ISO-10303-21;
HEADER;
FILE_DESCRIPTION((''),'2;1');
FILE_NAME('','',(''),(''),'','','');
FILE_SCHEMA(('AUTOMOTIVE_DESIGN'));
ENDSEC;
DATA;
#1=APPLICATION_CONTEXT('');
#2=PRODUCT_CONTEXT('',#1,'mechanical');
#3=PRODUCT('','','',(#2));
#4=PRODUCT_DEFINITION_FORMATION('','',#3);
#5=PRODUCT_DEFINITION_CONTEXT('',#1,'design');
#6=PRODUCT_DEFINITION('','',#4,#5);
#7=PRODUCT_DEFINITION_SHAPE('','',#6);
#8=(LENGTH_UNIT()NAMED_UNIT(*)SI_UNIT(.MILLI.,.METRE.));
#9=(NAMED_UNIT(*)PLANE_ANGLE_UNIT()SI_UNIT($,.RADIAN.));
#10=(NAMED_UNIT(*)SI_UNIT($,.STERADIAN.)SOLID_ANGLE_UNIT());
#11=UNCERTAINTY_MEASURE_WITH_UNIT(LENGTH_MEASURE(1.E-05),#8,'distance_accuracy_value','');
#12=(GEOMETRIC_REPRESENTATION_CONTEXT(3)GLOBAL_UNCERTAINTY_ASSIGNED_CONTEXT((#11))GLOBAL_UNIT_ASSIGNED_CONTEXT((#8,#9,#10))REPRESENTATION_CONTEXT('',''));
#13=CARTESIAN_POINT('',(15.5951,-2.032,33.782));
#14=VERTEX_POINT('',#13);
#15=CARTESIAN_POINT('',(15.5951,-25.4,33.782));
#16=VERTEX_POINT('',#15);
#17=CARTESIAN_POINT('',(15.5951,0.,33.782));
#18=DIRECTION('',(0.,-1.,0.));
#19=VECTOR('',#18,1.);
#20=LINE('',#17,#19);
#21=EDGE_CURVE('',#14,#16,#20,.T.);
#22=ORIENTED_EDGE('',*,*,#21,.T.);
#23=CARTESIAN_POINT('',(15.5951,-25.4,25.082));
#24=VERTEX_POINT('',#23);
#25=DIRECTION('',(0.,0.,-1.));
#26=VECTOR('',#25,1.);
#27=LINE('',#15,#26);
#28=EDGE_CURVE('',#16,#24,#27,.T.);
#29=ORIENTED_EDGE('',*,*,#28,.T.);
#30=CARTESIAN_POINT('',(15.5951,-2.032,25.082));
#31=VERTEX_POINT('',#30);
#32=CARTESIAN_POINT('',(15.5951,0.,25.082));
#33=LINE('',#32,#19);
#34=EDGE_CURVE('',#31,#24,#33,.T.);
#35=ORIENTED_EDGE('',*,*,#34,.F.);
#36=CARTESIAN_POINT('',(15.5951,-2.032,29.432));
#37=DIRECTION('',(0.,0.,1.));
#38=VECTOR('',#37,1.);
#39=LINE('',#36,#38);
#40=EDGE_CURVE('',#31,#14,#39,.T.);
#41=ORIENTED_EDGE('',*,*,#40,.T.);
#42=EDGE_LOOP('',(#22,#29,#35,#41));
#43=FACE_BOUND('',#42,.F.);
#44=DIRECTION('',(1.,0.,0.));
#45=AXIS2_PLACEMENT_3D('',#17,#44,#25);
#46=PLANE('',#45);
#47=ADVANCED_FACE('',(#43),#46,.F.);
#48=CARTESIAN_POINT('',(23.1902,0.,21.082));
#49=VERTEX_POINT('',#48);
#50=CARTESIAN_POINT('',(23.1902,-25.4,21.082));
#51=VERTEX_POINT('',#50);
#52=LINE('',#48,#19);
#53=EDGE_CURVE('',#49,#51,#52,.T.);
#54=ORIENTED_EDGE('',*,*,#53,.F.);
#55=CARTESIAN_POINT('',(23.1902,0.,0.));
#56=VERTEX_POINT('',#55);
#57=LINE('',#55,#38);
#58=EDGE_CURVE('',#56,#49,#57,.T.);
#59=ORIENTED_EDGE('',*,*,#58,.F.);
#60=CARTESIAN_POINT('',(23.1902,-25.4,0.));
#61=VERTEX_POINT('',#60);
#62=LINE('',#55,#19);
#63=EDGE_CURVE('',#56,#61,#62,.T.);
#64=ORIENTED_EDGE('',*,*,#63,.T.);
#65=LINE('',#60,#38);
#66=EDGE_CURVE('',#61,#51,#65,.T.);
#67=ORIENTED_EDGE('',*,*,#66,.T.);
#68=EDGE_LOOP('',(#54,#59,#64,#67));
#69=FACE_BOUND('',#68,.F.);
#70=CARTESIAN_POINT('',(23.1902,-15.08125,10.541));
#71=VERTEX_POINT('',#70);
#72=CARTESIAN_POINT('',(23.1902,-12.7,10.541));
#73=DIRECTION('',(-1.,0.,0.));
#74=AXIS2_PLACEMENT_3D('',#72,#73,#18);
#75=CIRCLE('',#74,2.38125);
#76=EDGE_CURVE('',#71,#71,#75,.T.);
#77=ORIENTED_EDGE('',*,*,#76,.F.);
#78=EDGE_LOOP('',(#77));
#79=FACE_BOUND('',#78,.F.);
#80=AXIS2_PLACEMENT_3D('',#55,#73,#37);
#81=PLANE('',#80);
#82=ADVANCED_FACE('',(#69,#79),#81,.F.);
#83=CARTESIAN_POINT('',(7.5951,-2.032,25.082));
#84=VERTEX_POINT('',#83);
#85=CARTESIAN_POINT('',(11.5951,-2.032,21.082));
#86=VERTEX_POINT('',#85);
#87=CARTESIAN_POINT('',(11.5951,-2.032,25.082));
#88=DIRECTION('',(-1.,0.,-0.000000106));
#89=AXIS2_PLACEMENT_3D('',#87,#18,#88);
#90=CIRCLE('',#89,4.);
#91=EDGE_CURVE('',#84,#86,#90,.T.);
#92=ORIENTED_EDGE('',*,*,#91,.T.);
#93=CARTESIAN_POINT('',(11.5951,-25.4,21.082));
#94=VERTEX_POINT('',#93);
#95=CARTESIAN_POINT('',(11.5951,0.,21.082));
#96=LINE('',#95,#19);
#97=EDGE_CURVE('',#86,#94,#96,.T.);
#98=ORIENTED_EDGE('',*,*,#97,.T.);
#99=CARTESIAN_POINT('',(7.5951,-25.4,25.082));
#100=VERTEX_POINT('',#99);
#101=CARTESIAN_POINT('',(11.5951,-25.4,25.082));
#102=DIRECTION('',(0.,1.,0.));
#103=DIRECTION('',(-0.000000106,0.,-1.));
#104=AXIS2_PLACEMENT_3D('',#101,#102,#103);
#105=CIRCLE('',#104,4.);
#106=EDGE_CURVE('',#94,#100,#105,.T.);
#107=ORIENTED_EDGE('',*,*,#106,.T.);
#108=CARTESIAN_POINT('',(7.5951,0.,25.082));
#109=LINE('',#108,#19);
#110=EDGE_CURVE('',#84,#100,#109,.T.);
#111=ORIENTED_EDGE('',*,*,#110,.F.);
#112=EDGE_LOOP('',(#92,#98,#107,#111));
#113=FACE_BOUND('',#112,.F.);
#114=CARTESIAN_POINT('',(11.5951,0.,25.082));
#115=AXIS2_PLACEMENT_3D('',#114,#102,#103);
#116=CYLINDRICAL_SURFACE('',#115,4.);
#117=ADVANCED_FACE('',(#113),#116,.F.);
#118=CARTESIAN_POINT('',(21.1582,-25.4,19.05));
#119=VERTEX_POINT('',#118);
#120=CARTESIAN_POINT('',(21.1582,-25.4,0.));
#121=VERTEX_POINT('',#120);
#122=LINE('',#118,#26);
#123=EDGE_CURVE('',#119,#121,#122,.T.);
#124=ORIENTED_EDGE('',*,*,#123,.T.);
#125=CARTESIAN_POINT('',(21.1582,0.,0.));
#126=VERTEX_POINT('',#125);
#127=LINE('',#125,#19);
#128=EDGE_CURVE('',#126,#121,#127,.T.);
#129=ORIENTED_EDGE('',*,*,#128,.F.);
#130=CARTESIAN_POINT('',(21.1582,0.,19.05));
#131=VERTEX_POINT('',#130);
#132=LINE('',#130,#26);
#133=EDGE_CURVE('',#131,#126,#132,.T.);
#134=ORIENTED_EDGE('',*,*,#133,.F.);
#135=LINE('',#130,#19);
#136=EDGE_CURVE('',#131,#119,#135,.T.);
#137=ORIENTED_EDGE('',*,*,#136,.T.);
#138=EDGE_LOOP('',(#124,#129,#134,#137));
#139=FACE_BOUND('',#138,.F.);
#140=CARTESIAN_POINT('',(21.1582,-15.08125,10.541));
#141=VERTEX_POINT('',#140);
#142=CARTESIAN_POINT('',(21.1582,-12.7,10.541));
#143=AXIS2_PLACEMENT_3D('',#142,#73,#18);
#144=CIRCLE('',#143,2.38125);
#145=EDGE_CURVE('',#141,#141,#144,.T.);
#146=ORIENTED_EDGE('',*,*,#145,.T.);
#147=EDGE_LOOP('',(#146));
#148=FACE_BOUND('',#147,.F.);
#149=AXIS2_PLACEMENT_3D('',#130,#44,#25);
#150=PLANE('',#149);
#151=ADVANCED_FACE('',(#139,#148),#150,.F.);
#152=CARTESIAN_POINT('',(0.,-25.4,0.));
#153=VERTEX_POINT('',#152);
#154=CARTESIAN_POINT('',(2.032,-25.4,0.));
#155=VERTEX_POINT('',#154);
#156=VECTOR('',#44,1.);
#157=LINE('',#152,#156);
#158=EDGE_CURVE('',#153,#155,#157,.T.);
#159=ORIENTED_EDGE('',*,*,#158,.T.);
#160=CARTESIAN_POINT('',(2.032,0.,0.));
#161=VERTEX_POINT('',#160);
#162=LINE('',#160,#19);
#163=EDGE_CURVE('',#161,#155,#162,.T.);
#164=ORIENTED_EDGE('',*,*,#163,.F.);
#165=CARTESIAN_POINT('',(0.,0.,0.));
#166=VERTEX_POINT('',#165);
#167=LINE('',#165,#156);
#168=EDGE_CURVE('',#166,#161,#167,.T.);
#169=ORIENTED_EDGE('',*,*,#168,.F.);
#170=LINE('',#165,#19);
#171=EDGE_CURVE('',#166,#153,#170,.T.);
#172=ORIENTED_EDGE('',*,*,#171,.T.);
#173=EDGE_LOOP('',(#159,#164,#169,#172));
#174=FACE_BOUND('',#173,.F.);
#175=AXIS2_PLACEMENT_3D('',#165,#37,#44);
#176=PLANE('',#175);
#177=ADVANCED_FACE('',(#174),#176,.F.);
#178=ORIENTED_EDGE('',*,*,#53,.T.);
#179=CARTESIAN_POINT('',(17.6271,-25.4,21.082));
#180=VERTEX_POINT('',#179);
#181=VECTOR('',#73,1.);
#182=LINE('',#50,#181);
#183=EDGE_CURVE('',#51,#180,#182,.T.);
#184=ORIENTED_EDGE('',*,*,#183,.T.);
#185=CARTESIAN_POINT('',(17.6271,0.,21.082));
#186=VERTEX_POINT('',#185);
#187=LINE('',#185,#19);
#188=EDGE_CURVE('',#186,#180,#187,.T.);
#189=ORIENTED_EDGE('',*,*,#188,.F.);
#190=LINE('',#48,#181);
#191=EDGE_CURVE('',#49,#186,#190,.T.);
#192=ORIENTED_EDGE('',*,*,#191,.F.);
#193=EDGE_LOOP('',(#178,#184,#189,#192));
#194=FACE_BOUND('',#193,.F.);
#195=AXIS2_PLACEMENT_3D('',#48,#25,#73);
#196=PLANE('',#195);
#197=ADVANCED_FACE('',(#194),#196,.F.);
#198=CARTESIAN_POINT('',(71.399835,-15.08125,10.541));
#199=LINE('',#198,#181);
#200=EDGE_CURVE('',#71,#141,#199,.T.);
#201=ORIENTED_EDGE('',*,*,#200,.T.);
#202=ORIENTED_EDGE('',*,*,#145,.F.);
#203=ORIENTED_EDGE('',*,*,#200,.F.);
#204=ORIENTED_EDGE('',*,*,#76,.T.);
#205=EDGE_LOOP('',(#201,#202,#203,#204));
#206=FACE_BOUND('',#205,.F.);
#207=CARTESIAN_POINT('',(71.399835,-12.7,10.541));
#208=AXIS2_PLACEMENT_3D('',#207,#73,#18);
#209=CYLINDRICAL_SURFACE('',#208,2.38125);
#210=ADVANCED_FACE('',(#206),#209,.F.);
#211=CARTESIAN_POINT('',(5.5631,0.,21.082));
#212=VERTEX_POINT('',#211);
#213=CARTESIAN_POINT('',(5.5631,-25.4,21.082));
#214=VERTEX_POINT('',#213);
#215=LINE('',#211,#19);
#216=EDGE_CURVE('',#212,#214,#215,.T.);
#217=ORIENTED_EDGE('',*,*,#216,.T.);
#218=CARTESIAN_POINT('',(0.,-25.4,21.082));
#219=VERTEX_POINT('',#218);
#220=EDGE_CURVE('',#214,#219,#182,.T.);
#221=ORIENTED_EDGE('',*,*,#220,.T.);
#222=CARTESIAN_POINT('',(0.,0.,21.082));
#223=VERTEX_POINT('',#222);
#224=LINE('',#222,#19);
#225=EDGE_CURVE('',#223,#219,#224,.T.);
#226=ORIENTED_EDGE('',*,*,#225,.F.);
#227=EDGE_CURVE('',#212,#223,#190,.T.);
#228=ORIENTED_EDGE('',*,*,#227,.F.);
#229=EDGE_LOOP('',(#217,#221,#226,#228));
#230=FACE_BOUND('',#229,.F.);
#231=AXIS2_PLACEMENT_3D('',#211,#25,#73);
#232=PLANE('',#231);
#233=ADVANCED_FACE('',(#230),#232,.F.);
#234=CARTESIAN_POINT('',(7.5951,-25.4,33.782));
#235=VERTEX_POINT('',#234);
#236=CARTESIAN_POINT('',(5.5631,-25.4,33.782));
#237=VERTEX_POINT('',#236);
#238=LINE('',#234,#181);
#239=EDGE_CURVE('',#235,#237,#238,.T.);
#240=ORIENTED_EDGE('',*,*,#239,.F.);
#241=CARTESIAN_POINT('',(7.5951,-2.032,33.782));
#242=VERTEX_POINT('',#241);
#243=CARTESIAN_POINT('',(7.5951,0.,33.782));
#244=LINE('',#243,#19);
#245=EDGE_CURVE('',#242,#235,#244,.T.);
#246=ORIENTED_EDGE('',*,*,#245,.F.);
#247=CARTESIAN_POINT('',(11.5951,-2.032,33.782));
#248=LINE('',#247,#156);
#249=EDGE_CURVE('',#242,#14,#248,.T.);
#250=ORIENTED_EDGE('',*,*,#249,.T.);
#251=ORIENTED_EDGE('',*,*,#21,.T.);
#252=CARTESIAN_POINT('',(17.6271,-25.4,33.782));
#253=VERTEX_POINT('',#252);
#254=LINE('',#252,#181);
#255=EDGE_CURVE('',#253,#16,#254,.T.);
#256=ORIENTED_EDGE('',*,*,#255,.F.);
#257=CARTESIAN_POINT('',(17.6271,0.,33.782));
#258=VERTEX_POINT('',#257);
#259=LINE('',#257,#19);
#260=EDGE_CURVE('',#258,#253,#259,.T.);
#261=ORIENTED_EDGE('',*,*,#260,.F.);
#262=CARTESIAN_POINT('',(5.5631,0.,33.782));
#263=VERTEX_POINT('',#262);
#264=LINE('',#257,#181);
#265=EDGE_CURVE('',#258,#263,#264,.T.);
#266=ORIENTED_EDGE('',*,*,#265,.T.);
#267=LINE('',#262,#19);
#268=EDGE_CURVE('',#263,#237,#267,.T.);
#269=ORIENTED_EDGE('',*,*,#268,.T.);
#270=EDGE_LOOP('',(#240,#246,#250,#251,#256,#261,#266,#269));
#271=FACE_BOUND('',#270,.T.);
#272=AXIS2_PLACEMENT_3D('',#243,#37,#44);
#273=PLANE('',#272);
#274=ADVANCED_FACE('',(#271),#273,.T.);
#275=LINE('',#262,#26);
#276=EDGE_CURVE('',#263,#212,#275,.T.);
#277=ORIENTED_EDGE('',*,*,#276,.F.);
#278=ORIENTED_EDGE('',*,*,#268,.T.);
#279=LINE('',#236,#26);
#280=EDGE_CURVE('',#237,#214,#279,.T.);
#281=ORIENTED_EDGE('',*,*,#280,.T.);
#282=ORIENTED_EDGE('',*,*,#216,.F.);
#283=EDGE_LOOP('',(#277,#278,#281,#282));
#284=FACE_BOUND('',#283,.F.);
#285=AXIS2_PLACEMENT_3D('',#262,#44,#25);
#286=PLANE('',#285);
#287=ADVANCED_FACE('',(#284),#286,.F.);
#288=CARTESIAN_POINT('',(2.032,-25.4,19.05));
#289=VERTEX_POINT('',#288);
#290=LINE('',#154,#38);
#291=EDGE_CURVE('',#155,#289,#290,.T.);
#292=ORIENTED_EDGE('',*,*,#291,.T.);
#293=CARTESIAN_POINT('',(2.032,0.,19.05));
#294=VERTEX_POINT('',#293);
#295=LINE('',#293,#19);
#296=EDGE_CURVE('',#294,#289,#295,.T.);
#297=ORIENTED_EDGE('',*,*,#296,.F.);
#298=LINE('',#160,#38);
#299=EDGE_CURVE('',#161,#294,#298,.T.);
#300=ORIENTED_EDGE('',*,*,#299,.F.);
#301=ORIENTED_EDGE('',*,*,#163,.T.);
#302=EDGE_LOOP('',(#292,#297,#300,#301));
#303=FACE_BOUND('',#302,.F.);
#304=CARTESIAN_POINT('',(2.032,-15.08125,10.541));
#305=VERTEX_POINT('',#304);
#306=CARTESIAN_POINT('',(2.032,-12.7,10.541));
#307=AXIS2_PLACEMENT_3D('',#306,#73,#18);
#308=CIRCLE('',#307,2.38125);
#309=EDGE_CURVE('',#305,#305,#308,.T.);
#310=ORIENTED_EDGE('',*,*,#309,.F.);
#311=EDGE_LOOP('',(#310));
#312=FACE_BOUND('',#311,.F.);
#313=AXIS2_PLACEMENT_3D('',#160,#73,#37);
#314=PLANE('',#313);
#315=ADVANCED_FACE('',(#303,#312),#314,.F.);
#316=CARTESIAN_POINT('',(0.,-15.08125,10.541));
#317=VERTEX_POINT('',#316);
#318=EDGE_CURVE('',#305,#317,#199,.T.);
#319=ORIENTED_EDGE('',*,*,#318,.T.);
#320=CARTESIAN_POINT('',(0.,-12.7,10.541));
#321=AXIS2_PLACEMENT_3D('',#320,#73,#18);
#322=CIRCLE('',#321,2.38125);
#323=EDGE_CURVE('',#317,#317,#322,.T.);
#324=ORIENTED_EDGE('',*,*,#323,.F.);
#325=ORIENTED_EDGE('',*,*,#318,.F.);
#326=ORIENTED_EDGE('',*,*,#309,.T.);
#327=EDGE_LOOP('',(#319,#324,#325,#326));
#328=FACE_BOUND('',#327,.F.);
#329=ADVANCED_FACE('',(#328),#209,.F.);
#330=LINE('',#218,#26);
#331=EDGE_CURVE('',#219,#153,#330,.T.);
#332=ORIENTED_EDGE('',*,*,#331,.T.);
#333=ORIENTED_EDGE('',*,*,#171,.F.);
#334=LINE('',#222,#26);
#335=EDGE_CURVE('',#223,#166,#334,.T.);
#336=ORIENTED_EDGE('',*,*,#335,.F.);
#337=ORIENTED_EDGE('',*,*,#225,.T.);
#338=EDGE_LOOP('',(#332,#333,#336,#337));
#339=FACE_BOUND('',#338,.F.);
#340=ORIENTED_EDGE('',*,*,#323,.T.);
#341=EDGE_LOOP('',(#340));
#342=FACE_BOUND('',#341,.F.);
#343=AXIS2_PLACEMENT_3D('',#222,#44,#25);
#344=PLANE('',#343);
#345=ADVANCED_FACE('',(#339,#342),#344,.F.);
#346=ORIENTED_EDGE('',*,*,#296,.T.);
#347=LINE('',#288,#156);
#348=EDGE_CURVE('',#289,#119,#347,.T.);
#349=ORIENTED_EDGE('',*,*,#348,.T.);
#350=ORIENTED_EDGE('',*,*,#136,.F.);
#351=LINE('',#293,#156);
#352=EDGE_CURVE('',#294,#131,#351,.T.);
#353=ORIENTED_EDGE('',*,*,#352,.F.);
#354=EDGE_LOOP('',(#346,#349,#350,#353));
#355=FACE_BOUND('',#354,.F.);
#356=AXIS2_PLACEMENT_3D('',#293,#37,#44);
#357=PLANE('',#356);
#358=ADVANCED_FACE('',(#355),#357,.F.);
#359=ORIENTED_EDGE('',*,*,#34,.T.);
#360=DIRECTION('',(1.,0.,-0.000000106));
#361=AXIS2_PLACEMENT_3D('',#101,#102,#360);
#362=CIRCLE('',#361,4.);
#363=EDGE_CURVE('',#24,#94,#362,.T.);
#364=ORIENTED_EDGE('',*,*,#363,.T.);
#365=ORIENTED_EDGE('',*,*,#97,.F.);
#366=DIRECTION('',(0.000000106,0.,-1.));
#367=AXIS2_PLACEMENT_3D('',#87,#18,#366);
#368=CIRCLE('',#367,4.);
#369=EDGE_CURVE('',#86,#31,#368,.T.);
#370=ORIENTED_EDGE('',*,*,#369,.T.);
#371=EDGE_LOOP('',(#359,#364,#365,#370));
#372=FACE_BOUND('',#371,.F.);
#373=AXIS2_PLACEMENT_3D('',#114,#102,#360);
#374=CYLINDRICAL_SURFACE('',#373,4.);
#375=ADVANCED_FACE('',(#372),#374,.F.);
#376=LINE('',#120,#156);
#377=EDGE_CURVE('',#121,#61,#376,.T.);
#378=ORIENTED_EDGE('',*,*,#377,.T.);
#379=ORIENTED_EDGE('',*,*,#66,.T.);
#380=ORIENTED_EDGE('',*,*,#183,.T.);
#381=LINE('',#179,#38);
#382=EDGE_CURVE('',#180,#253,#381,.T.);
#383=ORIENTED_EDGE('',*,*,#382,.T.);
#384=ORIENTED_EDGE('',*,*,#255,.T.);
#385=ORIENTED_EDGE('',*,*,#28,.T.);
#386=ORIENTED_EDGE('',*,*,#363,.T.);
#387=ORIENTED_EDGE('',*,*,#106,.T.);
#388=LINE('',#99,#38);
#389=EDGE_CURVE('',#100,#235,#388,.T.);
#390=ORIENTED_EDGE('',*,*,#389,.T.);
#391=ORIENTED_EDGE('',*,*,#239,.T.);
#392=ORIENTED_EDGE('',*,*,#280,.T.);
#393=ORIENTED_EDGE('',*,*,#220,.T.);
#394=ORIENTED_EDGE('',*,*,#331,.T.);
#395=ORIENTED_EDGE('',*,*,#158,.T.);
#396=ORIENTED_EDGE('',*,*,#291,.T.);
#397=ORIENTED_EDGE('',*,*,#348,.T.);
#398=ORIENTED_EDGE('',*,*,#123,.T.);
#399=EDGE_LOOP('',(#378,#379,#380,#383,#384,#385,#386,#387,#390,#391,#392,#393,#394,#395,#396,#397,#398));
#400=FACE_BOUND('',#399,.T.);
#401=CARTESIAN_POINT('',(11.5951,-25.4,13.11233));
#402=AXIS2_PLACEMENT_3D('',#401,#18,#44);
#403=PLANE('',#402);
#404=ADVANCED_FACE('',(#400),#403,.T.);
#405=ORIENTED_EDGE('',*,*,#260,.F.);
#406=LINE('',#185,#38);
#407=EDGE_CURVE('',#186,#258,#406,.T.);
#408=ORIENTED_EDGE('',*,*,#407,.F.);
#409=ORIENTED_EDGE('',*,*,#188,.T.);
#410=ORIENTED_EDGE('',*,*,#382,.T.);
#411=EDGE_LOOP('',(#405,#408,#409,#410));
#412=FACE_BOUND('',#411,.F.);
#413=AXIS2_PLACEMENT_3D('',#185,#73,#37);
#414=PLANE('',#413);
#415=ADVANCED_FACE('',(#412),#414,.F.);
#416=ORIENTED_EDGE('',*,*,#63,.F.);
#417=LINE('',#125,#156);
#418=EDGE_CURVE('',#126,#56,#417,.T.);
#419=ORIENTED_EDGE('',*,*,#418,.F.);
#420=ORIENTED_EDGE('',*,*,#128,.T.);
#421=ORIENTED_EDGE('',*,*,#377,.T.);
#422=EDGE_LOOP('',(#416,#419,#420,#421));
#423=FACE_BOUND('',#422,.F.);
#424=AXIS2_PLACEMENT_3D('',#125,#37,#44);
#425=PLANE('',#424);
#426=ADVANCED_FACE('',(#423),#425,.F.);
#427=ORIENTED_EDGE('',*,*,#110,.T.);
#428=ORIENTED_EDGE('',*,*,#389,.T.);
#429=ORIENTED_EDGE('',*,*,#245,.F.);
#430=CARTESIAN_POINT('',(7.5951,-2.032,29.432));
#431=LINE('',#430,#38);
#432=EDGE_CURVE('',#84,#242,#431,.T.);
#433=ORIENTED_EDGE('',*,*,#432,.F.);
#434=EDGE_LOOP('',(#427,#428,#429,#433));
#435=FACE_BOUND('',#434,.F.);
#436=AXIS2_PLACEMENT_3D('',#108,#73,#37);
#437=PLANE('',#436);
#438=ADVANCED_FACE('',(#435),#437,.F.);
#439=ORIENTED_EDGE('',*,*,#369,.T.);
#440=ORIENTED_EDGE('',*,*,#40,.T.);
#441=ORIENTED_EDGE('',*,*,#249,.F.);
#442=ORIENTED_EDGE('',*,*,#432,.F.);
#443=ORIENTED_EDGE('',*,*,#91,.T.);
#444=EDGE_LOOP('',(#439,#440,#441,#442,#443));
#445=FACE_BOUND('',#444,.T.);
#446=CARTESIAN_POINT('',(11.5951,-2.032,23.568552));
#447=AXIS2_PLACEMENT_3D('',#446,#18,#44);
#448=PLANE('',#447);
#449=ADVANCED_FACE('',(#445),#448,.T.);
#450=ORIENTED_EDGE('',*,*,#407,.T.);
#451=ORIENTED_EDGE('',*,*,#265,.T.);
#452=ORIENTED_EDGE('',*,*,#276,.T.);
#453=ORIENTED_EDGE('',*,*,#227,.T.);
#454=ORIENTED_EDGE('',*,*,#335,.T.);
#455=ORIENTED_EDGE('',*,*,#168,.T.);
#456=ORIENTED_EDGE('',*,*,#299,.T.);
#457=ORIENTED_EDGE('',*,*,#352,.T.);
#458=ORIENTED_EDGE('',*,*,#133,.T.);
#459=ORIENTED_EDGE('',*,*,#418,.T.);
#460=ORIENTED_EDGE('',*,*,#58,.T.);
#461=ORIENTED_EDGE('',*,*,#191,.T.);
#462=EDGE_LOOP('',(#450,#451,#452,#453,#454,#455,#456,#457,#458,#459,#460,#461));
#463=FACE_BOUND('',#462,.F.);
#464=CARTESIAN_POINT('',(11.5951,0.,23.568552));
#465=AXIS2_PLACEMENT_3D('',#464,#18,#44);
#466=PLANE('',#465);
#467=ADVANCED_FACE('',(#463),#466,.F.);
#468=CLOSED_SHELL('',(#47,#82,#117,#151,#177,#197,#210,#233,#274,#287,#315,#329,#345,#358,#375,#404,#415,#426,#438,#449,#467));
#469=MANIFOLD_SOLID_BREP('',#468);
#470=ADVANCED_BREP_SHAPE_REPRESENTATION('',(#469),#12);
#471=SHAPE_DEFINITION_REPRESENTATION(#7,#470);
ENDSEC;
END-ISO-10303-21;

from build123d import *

# Parameters (mm, degrees)
F1_DEPTH = 25.4
F0_W     = 8
F0_H     = 8.7
F2_DEPTH = 2.032
F4_D     = 4.7625


with BuildPart() as f1:
    # F0 (on Front) → F1 (new body)
    with BuildSketch(Plane.XZ):
        Polygon((0, 21.082), (0, 0), (2.032, 0), (2.032, 19.05), (21.1582, 19.05), (21.1582, 0), (23.1902, 0), (23.1902, 21.082), (17.6271, 21.082), (11.5951, 21.082), (5.5631, 21.082), align=None)
        with BuildLine():
            ThreePointArc((15.5951, 25.082), (14.423527, 22.253573), (11.5951, 21.082))
            Line((11.5951, 21.082), (17.6271, 21.082))
            Line((17.6271, 21.082), (17.6271, 33.782))
            Line((17.6271, 33.782), (15.5951, 33.782))
            Line((15.5951, 33.782), (15.5951, 25.082))
        make_face()
        with BuildLine():
            Line((5.5631, 33.782), (5.5631, 21.082))
            Line((5.5631, 21.082), (11.5951, 21.082))
            ThreePointArc((11.5951, 21.082), (8.766673, 22.253573), (7.5951, 25.082))
            Line((7.5951, 25.082), (7.5951, 33.782))
            Line((7.5951, 33.782), (5.5631, 33.782))
        make_face()
    extrude(amount=F1_DEPTH)

    # F0 (on Front) → F2 (join)
    with BuildSketch(Plane.XZ):
        with BuildLine():
            ThreePointArc((7.5951, 25.082), (8.766673, 22.253573), (11.5951, 21.082))
            ThreePointArc((11.5951, 21.082), (14.423527, 22.253573), (15.5951, 25.082))
            Line((15.5951, 25.082), (7.5951, 25.082))
        make_face()
        with Locations((11.5951, 29.432)):
            Rectangle(F0_W, F0_H)
    extrude(amount=F2_DEPTH)

    # F4 (through all)
    with Locations(Plane.YZ.offset(23.1902)):
        with Locations((-12.7, 10.541)):
            Hole(F4_D / 2)


solid = f1.part
